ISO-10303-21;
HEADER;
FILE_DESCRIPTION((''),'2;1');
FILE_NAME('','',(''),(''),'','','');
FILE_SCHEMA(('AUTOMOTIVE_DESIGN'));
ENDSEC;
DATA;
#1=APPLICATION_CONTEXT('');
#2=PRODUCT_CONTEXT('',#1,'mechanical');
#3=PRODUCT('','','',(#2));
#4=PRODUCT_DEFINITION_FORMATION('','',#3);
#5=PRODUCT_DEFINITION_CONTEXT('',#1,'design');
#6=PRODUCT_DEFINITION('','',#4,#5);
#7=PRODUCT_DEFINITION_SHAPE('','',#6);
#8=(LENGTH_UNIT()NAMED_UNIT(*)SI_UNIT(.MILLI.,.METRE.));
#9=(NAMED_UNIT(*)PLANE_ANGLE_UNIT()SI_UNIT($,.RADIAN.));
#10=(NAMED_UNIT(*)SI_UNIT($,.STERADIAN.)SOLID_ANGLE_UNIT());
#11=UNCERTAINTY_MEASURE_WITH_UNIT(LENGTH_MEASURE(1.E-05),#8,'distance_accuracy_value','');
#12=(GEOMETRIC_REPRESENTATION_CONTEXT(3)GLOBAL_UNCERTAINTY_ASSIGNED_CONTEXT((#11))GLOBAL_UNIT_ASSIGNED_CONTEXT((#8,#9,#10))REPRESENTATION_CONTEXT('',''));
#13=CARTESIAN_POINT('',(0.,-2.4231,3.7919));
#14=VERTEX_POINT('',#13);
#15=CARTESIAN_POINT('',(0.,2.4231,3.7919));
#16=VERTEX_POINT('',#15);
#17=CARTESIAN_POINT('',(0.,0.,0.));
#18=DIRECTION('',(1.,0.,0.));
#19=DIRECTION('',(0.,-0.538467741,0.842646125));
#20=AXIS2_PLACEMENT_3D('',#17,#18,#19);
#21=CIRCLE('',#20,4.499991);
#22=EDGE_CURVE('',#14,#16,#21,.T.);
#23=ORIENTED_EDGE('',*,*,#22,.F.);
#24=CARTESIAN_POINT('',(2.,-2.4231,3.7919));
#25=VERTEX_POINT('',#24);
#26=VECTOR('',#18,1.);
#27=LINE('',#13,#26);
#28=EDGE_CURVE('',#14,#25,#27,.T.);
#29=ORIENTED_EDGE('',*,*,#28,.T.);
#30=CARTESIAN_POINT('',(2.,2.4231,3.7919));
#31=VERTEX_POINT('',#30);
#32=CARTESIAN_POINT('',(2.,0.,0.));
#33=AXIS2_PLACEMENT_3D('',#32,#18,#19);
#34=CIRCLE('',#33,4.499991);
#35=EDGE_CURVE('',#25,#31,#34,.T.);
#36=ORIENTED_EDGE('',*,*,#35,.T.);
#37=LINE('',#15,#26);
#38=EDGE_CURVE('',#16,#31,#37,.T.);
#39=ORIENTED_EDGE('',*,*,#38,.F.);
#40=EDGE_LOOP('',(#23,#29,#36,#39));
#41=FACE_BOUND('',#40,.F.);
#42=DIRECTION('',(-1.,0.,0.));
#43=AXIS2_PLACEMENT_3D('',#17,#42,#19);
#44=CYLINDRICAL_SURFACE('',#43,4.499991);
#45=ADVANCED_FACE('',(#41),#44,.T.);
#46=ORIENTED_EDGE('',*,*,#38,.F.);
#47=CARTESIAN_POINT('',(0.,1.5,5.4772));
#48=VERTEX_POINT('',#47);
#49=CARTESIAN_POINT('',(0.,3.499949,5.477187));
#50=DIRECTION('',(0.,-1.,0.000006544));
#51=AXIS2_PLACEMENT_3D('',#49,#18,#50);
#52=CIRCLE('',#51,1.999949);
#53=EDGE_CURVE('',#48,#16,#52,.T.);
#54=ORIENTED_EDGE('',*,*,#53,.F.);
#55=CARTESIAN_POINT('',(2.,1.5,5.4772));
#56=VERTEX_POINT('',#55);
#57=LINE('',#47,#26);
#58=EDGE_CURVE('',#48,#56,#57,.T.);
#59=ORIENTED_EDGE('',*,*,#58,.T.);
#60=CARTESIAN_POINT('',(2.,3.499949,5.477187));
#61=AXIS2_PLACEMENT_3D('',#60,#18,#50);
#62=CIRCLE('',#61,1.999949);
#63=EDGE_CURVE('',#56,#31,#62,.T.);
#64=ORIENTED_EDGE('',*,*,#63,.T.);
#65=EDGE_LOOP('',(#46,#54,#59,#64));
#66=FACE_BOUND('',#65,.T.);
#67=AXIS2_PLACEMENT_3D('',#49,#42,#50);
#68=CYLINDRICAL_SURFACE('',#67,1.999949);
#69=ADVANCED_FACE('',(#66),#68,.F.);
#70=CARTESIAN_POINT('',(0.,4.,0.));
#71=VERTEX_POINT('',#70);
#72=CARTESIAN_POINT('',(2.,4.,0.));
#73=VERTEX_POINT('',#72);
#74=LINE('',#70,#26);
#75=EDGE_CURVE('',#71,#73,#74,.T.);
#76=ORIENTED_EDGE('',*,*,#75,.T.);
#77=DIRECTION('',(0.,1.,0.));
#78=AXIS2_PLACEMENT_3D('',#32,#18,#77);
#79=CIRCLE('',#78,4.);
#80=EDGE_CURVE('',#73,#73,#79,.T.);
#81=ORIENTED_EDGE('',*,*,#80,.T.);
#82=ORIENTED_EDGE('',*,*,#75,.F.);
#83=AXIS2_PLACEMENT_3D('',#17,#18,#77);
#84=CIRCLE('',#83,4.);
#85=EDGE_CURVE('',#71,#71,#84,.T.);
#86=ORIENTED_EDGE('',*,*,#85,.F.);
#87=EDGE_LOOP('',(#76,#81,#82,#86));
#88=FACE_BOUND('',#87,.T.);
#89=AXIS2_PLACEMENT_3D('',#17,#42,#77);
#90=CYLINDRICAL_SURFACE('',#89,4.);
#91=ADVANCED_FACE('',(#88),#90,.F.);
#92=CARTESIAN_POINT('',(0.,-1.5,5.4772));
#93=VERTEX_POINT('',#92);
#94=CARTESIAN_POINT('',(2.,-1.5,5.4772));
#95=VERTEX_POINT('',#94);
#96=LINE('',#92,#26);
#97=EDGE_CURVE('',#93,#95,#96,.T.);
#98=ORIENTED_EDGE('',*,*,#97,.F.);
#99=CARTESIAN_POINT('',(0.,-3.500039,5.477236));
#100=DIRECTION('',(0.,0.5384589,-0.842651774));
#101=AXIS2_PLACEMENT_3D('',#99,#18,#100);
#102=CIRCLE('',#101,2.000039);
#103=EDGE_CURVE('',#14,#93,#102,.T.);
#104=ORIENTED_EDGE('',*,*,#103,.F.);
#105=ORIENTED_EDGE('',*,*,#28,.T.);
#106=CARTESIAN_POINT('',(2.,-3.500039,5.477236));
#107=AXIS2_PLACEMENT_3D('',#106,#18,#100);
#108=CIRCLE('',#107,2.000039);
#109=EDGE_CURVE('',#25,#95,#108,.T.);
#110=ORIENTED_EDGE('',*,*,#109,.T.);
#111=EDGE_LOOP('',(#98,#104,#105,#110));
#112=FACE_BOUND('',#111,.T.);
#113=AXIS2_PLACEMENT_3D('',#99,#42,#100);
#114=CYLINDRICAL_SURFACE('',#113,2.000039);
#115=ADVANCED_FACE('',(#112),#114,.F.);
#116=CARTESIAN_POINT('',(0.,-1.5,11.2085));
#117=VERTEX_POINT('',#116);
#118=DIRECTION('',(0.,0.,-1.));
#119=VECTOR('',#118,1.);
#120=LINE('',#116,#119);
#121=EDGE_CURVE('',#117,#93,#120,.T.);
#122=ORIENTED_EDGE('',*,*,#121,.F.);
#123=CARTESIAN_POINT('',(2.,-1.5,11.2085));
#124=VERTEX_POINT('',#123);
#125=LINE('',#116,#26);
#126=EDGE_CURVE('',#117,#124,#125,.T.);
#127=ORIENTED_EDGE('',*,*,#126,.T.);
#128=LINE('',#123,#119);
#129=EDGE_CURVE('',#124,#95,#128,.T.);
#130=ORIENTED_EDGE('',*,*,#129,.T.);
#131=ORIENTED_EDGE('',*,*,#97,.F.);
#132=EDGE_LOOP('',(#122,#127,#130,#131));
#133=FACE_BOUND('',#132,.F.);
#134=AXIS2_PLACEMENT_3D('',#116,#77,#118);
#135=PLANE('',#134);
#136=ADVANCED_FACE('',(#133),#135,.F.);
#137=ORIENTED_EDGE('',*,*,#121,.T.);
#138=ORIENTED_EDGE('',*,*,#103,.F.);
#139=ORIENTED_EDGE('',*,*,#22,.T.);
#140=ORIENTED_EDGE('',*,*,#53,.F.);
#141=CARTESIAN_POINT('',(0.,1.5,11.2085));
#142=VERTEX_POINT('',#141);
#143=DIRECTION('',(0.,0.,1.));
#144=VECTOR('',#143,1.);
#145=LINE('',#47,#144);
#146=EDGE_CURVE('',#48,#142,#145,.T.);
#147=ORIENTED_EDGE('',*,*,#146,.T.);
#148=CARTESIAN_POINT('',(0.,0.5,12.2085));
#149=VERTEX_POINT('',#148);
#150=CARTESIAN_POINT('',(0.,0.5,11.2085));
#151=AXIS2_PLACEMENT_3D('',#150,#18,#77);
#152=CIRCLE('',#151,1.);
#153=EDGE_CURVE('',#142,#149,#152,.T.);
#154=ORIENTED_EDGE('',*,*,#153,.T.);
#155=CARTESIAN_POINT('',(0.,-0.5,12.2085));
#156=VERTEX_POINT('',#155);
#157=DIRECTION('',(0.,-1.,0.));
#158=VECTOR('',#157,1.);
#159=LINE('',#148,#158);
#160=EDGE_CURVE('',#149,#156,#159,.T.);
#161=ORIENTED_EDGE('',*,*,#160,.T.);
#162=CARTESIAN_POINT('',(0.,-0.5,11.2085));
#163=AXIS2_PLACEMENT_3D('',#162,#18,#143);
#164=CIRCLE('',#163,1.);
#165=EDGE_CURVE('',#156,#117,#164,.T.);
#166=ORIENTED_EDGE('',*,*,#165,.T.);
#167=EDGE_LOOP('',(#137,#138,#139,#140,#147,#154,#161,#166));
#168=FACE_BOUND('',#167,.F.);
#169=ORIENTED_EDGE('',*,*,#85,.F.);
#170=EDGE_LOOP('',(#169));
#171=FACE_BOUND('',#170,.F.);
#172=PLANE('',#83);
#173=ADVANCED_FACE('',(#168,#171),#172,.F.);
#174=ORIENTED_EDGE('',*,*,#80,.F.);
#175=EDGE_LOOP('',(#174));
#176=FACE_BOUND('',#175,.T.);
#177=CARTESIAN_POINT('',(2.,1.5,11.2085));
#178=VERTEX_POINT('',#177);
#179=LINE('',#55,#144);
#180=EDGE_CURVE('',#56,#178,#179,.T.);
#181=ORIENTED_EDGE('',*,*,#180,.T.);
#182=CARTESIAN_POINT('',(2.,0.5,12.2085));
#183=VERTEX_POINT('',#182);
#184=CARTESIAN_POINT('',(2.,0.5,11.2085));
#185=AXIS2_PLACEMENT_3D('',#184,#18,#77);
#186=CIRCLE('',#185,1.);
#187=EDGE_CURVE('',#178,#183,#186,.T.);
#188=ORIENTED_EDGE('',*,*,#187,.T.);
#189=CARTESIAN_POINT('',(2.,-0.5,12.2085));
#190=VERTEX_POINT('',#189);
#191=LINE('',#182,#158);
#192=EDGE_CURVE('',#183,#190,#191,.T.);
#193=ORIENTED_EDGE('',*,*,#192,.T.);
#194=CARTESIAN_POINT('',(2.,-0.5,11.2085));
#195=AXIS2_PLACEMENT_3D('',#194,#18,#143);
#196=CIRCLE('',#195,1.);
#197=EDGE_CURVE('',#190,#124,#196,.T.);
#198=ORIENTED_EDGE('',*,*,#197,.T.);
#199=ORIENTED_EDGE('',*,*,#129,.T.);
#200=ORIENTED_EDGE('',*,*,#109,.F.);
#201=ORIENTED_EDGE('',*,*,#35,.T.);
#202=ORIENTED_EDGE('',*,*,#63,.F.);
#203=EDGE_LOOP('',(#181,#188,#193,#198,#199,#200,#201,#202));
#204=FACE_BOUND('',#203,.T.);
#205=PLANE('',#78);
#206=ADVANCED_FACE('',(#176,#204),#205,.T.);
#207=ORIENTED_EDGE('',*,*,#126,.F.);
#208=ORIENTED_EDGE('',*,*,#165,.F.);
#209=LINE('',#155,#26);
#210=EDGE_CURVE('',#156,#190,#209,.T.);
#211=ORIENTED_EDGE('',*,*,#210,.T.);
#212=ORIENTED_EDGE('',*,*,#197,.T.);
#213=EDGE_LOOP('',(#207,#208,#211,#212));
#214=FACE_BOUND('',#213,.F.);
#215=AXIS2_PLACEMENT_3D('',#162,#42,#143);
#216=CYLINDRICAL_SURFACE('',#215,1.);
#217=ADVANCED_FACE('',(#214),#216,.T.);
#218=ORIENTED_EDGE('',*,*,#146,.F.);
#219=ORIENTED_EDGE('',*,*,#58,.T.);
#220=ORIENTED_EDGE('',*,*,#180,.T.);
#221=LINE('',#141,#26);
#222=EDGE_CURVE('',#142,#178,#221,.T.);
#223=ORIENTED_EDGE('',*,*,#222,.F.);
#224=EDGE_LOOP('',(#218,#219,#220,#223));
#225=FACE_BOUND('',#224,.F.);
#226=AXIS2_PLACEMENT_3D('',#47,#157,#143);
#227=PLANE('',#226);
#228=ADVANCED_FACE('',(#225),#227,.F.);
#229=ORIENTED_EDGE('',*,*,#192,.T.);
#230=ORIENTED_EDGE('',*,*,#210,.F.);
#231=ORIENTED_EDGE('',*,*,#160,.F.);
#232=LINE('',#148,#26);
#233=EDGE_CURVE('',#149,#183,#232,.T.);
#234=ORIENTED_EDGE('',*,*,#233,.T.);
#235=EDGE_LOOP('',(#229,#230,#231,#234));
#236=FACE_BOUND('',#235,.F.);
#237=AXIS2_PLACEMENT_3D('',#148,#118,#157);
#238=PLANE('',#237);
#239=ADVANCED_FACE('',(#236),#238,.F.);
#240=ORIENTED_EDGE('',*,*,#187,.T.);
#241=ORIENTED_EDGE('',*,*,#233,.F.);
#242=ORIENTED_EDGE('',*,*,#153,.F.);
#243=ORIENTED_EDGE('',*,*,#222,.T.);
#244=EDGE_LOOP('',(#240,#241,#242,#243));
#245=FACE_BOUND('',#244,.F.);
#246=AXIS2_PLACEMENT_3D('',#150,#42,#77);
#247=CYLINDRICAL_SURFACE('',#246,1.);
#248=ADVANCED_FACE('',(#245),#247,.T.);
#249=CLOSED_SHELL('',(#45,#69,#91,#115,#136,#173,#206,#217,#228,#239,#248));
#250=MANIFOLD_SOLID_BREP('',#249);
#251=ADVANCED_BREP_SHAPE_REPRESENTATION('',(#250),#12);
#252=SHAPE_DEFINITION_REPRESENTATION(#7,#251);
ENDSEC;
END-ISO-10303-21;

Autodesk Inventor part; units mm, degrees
ref_plane "YZ Plane" through (0, 0, 0) normal (1, 0, 0) x (0, 1, 0)
ref_plane "XZ Plane" through (0, 0, 0) normal (0, 1, 0) x (-1, 0, 0)
ref_plane "XY Plane" through (0, 0, 0) normal (0, 0, 1) x (1, 0, 0)
sketch "Sketch1" plane through (0, 0, 0) normal (1, 0, 0) x (0, 1, 0)
  circle A0 centre (0, 0) radius 4
  arc A1 (-2.4231, 3.7919) -> (2.4231, 3.7919) centre (0, 0) ccw
  line L0 (-1.5, 11.2085) -> (-1.5, 5.4772)
  line L1 (1.5, 5.4772) -> (1.5, 11.2085)
  arc A2 (1.5, 5.4772) -> (2.4231, 3.7919) centre (3.5, 5.4772) ccw
  arc A3 (-2.4231, 3.7919) -> (-1.5, 5.4772) centre (-3.5, 5.4772) ccw
  line L2 (0.5, 12.2085) -> (-0.5, 12.2085)
  arc A4 (1.5, 11.2085) -> (0.5, 12.2085) centre (0.5, 11.2085) ccw
  arc A5 (-0.5, 12.2085) -> (-1.5, 11.2085) centre (-0.5, 11.2085) ccw
  point P0 (-1.5, 4.2426)
  point P1 (1.5, 4.2426)
  dimension "d0" = 8
  dimension "d1" = 9
  dimension "d4" = 2
  dimension "d8" = 1
extrude "Extrusion1" add sketch "Sketch1" along normal blind 2
properties part number "_3DPrint"
